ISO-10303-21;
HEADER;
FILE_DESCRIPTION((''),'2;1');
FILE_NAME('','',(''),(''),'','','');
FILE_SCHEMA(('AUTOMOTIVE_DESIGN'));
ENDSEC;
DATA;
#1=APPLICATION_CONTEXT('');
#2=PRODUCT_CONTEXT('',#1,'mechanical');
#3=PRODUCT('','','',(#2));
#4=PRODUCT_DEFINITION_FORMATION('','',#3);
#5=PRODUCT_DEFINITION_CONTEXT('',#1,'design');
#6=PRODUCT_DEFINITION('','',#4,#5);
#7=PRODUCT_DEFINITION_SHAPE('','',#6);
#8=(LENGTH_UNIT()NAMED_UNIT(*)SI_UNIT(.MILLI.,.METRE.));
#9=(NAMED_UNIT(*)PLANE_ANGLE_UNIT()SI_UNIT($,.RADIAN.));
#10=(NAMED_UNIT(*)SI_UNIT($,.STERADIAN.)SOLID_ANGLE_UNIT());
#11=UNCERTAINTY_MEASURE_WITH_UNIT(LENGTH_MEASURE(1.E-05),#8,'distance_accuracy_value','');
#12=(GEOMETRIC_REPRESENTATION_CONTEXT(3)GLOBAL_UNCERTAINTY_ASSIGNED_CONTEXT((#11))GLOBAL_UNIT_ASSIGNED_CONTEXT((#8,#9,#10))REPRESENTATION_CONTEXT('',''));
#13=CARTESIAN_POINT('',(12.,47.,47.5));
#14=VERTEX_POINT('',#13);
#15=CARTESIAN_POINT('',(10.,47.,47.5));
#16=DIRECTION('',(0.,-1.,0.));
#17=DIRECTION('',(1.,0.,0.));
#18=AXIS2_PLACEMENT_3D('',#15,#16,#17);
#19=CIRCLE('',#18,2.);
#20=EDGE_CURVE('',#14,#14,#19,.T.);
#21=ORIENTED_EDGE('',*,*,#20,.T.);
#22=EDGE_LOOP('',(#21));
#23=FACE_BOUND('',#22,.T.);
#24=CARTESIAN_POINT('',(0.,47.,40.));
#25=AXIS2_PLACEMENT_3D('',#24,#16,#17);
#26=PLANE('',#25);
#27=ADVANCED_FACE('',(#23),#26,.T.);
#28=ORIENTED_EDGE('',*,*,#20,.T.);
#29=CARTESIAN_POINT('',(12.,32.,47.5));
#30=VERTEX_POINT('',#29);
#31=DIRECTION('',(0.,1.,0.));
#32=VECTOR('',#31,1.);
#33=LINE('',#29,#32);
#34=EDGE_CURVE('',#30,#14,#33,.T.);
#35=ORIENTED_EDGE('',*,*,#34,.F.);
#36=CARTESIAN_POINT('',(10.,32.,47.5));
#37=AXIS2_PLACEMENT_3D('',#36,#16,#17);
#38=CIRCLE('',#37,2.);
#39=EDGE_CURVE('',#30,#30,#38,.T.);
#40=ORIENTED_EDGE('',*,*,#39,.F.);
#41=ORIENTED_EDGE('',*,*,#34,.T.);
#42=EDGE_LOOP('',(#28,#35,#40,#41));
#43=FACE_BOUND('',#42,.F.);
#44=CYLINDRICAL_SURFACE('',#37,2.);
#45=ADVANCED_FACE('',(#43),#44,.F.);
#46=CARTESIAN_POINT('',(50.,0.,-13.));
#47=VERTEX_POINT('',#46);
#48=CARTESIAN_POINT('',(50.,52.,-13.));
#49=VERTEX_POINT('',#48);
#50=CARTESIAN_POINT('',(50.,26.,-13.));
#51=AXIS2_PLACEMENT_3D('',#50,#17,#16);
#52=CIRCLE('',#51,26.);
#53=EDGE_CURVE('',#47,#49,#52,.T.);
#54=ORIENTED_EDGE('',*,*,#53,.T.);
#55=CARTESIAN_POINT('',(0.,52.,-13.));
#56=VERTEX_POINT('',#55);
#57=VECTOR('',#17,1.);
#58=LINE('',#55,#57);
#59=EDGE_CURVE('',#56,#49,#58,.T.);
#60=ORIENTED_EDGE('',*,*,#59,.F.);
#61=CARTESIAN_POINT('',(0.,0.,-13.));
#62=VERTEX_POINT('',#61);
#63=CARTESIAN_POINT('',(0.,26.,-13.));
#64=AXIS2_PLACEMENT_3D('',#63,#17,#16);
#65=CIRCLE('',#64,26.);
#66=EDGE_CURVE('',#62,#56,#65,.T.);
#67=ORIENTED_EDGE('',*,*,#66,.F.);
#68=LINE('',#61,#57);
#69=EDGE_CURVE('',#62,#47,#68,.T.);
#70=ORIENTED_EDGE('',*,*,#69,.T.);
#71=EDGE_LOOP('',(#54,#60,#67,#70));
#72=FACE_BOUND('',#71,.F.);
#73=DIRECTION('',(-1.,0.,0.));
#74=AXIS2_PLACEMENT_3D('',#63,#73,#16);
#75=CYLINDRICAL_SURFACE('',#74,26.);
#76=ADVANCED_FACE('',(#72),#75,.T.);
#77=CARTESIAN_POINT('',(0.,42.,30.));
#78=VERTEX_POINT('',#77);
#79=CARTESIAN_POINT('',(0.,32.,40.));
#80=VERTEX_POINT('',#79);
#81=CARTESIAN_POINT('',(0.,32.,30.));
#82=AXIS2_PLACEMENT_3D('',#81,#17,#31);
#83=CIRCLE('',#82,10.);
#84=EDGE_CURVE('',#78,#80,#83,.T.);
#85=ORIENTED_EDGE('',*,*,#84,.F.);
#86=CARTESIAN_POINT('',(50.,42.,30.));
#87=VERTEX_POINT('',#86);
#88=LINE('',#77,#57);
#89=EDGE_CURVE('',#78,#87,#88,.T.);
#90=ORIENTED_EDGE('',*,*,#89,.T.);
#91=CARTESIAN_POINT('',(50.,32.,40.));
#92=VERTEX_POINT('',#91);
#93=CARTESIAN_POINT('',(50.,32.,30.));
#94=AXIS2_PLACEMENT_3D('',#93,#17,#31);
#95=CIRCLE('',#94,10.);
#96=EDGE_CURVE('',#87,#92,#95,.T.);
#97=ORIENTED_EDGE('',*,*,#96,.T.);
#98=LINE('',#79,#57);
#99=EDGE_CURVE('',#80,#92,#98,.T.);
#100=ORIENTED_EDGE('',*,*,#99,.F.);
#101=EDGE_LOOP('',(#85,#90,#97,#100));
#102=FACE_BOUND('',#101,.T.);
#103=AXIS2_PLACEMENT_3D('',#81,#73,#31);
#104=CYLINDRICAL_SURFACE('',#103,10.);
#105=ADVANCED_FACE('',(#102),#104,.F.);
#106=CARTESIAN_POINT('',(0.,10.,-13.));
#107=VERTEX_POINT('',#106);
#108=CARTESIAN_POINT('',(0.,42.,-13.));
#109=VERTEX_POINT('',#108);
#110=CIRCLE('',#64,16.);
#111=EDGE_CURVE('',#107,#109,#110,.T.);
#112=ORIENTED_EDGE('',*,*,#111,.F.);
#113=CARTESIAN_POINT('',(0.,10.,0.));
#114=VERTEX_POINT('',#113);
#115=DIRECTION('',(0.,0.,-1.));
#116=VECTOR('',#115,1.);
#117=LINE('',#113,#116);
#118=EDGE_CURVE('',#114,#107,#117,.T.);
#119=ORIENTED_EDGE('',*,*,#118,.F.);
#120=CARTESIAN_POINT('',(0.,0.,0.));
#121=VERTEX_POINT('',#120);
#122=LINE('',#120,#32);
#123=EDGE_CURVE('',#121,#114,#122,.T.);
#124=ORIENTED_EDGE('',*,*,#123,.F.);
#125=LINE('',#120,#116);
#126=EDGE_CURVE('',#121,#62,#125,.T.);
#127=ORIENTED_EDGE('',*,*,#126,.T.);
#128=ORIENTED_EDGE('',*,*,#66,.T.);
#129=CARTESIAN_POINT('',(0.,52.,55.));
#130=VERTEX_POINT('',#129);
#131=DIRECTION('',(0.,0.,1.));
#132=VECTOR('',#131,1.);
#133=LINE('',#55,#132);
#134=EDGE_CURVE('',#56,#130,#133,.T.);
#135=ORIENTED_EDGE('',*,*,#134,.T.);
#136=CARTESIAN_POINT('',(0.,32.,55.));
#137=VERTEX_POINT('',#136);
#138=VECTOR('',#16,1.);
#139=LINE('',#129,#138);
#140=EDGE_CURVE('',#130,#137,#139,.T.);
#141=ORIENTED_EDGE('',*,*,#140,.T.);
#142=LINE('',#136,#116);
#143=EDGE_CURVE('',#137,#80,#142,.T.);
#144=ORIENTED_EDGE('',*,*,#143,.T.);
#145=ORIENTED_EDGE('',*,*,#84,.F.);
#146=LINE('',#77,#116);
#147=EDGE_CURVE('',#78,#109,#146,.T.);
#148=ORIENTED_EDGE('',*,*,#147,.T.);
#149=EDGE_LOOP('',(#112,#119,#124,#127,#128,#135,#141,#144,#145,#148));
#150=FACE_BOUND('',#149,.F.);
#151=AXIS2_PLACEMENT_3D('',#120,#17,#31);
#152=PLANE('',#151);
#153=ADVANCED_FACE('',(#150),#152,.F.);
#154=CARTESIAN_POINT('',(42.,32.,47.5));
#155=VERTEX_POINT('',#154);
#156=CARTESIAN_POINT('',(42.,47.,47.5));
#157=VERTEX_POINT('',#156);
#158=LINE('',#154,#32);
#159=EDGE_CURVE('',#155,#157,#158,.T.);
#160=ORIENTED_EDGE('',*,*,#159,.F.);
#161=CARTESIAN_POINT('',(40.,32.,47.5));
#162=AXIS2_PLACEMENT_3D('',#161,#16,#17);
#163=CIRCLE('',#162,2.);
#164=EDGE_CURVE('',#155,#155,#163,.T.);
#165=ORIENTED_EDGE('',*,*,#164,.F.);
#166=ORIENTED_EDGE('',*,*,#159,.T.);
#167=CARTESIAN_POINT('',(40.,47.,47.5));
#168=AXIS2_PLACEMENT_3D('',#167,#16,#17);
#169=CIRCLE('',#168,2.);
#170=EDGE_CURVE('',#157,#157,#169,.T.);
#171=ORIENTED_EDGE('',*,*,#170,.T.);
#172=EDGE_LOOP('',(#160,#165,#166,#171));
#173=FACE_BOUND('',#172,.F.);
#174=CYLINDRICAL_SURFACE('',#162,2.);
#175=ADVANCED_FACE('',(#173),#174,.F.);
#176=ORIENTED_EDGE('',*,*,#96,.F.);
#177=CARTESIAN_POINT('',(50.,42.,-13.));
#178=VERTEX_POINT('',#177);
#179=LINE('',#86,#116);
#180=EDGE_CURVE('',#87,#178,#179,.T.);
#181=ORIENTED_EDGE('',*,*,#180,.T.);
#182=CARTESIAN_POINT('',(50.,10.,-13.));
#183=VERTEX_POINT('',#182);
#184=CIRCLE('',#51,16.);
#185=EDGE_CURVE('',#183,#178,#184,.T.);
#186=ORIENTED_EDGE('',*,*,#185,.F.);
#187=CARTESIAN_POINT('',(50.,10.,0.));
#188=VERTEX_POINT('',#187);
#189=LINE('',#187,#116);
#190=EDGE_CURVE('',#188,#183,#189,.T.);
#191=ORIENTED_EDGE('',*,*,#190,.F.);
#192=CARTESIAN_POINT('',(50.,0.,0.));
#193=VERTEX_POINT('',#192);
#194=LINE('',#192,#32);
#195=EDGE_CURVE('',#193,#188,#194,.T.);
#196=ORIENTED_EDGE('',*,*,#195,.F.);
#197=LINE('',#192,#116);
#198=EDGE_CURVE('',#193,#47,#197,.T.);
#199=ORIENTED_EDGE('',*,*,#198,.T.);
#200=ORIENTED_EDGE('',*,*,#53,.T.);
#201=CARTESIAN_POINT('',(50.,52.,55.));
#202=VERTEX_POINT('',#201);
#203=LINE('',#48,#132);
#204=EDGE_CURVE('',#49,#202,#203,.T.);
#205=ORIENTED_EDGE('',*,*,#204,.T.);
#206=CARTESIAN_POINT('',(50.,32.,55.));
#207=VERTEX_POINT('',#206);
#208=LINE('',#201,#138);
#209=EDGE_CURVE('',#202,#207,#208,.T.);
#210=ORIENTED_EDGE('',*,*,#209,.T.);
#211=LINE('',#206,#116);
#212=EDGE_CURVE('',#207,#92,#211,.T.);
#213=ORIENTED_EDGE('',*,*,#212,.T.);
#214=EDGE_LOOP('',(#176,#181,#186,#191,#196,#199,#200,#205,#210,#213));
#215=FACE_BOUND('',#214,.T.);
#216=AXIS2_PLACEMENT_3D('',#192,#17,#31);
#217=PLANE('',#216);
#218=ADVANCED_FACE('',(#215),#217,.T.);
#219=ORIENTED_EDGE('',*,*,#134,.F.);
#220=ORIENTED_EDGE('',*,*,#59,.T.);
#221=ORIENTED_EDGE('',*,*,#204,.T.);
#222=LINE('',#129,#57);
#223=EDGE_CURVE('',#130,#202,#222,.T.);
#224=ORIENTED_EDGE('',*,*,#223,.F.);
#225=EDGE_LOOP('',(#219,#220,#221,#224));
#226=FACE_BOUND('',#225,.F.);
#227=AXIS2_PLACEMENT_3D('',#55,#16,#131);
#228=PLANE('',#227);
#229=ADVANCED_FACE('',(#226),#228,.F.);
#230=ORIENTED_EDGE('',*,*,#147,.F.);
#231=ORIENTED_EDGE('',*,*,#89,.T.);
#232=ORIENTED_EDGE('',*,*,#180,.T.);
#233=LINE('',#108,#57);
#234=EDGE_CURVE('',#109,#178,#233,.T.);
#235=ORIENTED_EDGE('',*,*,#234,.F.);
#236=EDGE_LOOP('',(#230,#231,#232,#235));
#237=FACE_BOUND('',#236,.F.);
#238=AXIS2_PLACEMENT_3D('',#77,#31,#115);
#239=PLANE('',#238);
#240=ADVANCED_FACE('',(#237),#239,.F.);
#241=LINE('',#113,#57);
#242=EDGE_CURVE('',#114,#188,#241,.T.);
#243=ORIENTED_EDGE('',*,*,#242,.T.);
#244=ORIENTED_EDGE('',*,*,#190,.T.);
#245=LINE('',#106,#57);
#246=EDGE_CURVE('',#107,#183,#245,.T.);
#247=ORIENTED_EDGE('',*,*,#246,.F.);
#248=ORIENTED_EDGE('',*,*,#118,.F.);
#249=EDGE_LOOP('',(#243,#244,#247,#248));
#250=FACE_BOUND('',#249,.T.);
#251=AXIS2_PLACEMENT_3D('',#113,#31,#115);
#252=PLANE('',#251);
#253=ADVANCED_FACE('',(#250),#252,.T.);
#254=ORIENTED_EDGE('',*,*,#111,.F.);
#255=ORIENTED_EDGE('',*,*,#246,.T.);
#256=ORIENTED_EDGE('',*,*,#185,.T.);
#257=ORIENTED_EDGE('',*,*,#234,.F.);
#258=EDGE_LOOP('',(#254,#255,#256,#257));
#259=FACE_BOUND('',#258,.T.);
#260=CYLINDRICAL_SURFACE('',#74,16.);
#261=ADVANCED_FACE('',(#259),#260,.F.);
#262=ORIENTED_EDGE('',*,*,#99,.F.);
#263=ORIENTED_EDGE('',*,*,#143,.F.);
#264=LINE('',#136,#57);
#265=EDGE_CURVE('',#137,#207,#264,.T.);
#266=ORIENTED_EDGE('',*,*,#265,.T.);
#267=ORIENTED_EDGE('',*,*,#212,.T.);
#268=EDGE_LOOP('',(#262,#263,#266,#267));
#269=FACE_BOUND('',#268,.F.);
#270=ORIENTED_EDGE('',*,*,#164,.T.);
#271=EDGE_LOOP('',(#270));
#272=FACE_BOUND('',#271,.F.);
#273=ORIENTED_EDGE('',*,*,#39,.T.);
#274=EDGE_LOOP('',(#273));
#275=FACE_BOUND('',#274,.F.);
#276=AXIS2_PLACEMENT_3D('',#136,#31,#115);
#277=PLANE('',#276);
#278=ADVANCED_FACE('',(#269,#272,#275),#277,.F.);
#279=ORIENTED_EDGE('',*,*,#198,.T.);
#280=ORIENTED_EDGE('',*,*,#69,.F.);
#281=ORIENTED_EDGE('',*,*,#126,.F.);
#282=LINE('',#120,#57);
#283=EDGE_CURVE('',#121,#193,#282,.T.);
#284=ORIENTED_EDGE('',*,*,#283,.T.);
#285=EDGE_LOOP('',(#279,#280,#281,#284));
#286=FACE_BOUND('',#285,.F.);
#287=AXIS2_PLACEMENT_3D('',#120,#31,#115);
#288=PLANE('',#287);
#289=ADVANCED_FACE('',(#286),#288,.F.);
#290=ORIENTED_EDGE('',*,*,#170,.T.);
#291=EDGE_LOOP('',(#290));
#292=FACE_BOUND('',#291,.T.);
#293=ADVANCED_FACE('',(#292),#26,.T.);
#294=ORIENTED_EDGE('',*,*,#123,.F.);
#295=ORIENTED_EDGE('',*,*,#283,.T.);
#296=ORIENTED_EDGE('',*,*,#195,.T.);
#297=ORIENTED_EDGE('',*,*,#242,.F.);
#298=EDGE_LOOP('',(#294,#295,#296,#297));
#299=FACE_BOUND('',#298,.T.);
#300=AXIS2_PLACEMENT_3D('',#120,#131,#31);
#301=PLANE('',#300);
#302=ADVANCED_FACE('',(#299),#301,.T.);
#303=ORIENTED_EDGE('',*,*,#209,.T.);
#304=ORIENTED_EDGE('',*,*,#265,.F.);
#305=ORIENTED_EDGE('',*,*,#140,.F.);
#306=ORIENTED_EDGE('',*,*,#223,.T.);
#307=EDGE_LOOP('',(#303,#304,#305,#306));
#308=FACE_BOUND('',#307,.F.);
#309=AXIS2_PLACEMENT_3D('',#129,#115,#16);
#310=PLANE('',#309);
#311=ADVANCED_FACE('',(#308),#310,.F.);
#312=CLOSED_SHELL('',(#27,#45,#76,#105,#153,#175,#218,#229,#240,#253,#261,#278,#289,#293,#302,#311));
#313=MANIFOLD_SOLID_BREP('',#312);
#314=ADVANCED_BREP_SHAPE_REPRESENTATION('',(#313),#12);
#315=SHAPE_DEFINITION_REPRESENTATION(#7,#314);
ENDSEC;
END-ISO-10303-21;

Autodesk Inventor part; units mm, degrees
ref_plane "YZ Plane" through (0, 0, 0) normal (1, 0, 0) x (0, 1, 0)
ref_plane "XZ Plane" through (0, 0, 0) normal (0, 1, 0) x (-1, 0, 0)
ref_plane "XY Plane" through (0, 0, 0) normal (0, 0, 1) x (1, 0, 0)
sketch "Sketch1" plane through (0, 0, 0) normal (1, 0, 0) x (0, 1, 0)
  line L0 (10, 0) -> (10, -13)
  line L1 (0, 0) -> (0, -13)
  line L2 (52, -13) -> (52, 55)
  line L3 (52, 55) -> (32, 55)
  line L4 (52, 55) -> (72, 55) construction
  line L5 (32, 55) -> (32, 40)
  line L6 (32, 55) -> (47, 55) construction
  line L7 (32, 40) -> (32, 40)
  line L8 (42, 30) -> (42, -13)
  arc A0 (42, 30) -> (32, 40) centre (32, 30) ccw
  arc A1 (10, -13) -> (42, -13) centre (26, -13) ccw
  arc A2 (0, -13) -> (52, -13) centre (26, -13) ccw
  line L9 (0, 0) -> (10, 0)
  dimension "d2" = 13
  dimension "d7" = 13
  dimension "d12" = 68
  dimension "d14" = 20
  dimension "d16" = 15
  dimension "d19" = 10
  dimension "d20" = 16
  dimension "d21" = 26
  dimension "d22" = 10
extrude "Extrusion1" add sketch "Sketch1" along normal blind 50
sketch "Sketch2" plane through (0, 32, 40) normal (0, -1, 0) x (1, 0, 0)
  circle A0 centre (10, 7.5) radius 2
  line L0 (0, 15) -> (0, 0) projected
  line L1 (0, 15) -> (50, 15) projected
  circle A1 centre (40, 7.5) radius 2
  point P0 (0, -40)
  dimension "d25" = 4
  dimension "d26" = 10
  dimension "d27" = 7.5
  dimension "d30" = 30
extrude "Extrusion2" cut sketch "Sketch2" against normal blind 15
properties part number "lid_holder"
